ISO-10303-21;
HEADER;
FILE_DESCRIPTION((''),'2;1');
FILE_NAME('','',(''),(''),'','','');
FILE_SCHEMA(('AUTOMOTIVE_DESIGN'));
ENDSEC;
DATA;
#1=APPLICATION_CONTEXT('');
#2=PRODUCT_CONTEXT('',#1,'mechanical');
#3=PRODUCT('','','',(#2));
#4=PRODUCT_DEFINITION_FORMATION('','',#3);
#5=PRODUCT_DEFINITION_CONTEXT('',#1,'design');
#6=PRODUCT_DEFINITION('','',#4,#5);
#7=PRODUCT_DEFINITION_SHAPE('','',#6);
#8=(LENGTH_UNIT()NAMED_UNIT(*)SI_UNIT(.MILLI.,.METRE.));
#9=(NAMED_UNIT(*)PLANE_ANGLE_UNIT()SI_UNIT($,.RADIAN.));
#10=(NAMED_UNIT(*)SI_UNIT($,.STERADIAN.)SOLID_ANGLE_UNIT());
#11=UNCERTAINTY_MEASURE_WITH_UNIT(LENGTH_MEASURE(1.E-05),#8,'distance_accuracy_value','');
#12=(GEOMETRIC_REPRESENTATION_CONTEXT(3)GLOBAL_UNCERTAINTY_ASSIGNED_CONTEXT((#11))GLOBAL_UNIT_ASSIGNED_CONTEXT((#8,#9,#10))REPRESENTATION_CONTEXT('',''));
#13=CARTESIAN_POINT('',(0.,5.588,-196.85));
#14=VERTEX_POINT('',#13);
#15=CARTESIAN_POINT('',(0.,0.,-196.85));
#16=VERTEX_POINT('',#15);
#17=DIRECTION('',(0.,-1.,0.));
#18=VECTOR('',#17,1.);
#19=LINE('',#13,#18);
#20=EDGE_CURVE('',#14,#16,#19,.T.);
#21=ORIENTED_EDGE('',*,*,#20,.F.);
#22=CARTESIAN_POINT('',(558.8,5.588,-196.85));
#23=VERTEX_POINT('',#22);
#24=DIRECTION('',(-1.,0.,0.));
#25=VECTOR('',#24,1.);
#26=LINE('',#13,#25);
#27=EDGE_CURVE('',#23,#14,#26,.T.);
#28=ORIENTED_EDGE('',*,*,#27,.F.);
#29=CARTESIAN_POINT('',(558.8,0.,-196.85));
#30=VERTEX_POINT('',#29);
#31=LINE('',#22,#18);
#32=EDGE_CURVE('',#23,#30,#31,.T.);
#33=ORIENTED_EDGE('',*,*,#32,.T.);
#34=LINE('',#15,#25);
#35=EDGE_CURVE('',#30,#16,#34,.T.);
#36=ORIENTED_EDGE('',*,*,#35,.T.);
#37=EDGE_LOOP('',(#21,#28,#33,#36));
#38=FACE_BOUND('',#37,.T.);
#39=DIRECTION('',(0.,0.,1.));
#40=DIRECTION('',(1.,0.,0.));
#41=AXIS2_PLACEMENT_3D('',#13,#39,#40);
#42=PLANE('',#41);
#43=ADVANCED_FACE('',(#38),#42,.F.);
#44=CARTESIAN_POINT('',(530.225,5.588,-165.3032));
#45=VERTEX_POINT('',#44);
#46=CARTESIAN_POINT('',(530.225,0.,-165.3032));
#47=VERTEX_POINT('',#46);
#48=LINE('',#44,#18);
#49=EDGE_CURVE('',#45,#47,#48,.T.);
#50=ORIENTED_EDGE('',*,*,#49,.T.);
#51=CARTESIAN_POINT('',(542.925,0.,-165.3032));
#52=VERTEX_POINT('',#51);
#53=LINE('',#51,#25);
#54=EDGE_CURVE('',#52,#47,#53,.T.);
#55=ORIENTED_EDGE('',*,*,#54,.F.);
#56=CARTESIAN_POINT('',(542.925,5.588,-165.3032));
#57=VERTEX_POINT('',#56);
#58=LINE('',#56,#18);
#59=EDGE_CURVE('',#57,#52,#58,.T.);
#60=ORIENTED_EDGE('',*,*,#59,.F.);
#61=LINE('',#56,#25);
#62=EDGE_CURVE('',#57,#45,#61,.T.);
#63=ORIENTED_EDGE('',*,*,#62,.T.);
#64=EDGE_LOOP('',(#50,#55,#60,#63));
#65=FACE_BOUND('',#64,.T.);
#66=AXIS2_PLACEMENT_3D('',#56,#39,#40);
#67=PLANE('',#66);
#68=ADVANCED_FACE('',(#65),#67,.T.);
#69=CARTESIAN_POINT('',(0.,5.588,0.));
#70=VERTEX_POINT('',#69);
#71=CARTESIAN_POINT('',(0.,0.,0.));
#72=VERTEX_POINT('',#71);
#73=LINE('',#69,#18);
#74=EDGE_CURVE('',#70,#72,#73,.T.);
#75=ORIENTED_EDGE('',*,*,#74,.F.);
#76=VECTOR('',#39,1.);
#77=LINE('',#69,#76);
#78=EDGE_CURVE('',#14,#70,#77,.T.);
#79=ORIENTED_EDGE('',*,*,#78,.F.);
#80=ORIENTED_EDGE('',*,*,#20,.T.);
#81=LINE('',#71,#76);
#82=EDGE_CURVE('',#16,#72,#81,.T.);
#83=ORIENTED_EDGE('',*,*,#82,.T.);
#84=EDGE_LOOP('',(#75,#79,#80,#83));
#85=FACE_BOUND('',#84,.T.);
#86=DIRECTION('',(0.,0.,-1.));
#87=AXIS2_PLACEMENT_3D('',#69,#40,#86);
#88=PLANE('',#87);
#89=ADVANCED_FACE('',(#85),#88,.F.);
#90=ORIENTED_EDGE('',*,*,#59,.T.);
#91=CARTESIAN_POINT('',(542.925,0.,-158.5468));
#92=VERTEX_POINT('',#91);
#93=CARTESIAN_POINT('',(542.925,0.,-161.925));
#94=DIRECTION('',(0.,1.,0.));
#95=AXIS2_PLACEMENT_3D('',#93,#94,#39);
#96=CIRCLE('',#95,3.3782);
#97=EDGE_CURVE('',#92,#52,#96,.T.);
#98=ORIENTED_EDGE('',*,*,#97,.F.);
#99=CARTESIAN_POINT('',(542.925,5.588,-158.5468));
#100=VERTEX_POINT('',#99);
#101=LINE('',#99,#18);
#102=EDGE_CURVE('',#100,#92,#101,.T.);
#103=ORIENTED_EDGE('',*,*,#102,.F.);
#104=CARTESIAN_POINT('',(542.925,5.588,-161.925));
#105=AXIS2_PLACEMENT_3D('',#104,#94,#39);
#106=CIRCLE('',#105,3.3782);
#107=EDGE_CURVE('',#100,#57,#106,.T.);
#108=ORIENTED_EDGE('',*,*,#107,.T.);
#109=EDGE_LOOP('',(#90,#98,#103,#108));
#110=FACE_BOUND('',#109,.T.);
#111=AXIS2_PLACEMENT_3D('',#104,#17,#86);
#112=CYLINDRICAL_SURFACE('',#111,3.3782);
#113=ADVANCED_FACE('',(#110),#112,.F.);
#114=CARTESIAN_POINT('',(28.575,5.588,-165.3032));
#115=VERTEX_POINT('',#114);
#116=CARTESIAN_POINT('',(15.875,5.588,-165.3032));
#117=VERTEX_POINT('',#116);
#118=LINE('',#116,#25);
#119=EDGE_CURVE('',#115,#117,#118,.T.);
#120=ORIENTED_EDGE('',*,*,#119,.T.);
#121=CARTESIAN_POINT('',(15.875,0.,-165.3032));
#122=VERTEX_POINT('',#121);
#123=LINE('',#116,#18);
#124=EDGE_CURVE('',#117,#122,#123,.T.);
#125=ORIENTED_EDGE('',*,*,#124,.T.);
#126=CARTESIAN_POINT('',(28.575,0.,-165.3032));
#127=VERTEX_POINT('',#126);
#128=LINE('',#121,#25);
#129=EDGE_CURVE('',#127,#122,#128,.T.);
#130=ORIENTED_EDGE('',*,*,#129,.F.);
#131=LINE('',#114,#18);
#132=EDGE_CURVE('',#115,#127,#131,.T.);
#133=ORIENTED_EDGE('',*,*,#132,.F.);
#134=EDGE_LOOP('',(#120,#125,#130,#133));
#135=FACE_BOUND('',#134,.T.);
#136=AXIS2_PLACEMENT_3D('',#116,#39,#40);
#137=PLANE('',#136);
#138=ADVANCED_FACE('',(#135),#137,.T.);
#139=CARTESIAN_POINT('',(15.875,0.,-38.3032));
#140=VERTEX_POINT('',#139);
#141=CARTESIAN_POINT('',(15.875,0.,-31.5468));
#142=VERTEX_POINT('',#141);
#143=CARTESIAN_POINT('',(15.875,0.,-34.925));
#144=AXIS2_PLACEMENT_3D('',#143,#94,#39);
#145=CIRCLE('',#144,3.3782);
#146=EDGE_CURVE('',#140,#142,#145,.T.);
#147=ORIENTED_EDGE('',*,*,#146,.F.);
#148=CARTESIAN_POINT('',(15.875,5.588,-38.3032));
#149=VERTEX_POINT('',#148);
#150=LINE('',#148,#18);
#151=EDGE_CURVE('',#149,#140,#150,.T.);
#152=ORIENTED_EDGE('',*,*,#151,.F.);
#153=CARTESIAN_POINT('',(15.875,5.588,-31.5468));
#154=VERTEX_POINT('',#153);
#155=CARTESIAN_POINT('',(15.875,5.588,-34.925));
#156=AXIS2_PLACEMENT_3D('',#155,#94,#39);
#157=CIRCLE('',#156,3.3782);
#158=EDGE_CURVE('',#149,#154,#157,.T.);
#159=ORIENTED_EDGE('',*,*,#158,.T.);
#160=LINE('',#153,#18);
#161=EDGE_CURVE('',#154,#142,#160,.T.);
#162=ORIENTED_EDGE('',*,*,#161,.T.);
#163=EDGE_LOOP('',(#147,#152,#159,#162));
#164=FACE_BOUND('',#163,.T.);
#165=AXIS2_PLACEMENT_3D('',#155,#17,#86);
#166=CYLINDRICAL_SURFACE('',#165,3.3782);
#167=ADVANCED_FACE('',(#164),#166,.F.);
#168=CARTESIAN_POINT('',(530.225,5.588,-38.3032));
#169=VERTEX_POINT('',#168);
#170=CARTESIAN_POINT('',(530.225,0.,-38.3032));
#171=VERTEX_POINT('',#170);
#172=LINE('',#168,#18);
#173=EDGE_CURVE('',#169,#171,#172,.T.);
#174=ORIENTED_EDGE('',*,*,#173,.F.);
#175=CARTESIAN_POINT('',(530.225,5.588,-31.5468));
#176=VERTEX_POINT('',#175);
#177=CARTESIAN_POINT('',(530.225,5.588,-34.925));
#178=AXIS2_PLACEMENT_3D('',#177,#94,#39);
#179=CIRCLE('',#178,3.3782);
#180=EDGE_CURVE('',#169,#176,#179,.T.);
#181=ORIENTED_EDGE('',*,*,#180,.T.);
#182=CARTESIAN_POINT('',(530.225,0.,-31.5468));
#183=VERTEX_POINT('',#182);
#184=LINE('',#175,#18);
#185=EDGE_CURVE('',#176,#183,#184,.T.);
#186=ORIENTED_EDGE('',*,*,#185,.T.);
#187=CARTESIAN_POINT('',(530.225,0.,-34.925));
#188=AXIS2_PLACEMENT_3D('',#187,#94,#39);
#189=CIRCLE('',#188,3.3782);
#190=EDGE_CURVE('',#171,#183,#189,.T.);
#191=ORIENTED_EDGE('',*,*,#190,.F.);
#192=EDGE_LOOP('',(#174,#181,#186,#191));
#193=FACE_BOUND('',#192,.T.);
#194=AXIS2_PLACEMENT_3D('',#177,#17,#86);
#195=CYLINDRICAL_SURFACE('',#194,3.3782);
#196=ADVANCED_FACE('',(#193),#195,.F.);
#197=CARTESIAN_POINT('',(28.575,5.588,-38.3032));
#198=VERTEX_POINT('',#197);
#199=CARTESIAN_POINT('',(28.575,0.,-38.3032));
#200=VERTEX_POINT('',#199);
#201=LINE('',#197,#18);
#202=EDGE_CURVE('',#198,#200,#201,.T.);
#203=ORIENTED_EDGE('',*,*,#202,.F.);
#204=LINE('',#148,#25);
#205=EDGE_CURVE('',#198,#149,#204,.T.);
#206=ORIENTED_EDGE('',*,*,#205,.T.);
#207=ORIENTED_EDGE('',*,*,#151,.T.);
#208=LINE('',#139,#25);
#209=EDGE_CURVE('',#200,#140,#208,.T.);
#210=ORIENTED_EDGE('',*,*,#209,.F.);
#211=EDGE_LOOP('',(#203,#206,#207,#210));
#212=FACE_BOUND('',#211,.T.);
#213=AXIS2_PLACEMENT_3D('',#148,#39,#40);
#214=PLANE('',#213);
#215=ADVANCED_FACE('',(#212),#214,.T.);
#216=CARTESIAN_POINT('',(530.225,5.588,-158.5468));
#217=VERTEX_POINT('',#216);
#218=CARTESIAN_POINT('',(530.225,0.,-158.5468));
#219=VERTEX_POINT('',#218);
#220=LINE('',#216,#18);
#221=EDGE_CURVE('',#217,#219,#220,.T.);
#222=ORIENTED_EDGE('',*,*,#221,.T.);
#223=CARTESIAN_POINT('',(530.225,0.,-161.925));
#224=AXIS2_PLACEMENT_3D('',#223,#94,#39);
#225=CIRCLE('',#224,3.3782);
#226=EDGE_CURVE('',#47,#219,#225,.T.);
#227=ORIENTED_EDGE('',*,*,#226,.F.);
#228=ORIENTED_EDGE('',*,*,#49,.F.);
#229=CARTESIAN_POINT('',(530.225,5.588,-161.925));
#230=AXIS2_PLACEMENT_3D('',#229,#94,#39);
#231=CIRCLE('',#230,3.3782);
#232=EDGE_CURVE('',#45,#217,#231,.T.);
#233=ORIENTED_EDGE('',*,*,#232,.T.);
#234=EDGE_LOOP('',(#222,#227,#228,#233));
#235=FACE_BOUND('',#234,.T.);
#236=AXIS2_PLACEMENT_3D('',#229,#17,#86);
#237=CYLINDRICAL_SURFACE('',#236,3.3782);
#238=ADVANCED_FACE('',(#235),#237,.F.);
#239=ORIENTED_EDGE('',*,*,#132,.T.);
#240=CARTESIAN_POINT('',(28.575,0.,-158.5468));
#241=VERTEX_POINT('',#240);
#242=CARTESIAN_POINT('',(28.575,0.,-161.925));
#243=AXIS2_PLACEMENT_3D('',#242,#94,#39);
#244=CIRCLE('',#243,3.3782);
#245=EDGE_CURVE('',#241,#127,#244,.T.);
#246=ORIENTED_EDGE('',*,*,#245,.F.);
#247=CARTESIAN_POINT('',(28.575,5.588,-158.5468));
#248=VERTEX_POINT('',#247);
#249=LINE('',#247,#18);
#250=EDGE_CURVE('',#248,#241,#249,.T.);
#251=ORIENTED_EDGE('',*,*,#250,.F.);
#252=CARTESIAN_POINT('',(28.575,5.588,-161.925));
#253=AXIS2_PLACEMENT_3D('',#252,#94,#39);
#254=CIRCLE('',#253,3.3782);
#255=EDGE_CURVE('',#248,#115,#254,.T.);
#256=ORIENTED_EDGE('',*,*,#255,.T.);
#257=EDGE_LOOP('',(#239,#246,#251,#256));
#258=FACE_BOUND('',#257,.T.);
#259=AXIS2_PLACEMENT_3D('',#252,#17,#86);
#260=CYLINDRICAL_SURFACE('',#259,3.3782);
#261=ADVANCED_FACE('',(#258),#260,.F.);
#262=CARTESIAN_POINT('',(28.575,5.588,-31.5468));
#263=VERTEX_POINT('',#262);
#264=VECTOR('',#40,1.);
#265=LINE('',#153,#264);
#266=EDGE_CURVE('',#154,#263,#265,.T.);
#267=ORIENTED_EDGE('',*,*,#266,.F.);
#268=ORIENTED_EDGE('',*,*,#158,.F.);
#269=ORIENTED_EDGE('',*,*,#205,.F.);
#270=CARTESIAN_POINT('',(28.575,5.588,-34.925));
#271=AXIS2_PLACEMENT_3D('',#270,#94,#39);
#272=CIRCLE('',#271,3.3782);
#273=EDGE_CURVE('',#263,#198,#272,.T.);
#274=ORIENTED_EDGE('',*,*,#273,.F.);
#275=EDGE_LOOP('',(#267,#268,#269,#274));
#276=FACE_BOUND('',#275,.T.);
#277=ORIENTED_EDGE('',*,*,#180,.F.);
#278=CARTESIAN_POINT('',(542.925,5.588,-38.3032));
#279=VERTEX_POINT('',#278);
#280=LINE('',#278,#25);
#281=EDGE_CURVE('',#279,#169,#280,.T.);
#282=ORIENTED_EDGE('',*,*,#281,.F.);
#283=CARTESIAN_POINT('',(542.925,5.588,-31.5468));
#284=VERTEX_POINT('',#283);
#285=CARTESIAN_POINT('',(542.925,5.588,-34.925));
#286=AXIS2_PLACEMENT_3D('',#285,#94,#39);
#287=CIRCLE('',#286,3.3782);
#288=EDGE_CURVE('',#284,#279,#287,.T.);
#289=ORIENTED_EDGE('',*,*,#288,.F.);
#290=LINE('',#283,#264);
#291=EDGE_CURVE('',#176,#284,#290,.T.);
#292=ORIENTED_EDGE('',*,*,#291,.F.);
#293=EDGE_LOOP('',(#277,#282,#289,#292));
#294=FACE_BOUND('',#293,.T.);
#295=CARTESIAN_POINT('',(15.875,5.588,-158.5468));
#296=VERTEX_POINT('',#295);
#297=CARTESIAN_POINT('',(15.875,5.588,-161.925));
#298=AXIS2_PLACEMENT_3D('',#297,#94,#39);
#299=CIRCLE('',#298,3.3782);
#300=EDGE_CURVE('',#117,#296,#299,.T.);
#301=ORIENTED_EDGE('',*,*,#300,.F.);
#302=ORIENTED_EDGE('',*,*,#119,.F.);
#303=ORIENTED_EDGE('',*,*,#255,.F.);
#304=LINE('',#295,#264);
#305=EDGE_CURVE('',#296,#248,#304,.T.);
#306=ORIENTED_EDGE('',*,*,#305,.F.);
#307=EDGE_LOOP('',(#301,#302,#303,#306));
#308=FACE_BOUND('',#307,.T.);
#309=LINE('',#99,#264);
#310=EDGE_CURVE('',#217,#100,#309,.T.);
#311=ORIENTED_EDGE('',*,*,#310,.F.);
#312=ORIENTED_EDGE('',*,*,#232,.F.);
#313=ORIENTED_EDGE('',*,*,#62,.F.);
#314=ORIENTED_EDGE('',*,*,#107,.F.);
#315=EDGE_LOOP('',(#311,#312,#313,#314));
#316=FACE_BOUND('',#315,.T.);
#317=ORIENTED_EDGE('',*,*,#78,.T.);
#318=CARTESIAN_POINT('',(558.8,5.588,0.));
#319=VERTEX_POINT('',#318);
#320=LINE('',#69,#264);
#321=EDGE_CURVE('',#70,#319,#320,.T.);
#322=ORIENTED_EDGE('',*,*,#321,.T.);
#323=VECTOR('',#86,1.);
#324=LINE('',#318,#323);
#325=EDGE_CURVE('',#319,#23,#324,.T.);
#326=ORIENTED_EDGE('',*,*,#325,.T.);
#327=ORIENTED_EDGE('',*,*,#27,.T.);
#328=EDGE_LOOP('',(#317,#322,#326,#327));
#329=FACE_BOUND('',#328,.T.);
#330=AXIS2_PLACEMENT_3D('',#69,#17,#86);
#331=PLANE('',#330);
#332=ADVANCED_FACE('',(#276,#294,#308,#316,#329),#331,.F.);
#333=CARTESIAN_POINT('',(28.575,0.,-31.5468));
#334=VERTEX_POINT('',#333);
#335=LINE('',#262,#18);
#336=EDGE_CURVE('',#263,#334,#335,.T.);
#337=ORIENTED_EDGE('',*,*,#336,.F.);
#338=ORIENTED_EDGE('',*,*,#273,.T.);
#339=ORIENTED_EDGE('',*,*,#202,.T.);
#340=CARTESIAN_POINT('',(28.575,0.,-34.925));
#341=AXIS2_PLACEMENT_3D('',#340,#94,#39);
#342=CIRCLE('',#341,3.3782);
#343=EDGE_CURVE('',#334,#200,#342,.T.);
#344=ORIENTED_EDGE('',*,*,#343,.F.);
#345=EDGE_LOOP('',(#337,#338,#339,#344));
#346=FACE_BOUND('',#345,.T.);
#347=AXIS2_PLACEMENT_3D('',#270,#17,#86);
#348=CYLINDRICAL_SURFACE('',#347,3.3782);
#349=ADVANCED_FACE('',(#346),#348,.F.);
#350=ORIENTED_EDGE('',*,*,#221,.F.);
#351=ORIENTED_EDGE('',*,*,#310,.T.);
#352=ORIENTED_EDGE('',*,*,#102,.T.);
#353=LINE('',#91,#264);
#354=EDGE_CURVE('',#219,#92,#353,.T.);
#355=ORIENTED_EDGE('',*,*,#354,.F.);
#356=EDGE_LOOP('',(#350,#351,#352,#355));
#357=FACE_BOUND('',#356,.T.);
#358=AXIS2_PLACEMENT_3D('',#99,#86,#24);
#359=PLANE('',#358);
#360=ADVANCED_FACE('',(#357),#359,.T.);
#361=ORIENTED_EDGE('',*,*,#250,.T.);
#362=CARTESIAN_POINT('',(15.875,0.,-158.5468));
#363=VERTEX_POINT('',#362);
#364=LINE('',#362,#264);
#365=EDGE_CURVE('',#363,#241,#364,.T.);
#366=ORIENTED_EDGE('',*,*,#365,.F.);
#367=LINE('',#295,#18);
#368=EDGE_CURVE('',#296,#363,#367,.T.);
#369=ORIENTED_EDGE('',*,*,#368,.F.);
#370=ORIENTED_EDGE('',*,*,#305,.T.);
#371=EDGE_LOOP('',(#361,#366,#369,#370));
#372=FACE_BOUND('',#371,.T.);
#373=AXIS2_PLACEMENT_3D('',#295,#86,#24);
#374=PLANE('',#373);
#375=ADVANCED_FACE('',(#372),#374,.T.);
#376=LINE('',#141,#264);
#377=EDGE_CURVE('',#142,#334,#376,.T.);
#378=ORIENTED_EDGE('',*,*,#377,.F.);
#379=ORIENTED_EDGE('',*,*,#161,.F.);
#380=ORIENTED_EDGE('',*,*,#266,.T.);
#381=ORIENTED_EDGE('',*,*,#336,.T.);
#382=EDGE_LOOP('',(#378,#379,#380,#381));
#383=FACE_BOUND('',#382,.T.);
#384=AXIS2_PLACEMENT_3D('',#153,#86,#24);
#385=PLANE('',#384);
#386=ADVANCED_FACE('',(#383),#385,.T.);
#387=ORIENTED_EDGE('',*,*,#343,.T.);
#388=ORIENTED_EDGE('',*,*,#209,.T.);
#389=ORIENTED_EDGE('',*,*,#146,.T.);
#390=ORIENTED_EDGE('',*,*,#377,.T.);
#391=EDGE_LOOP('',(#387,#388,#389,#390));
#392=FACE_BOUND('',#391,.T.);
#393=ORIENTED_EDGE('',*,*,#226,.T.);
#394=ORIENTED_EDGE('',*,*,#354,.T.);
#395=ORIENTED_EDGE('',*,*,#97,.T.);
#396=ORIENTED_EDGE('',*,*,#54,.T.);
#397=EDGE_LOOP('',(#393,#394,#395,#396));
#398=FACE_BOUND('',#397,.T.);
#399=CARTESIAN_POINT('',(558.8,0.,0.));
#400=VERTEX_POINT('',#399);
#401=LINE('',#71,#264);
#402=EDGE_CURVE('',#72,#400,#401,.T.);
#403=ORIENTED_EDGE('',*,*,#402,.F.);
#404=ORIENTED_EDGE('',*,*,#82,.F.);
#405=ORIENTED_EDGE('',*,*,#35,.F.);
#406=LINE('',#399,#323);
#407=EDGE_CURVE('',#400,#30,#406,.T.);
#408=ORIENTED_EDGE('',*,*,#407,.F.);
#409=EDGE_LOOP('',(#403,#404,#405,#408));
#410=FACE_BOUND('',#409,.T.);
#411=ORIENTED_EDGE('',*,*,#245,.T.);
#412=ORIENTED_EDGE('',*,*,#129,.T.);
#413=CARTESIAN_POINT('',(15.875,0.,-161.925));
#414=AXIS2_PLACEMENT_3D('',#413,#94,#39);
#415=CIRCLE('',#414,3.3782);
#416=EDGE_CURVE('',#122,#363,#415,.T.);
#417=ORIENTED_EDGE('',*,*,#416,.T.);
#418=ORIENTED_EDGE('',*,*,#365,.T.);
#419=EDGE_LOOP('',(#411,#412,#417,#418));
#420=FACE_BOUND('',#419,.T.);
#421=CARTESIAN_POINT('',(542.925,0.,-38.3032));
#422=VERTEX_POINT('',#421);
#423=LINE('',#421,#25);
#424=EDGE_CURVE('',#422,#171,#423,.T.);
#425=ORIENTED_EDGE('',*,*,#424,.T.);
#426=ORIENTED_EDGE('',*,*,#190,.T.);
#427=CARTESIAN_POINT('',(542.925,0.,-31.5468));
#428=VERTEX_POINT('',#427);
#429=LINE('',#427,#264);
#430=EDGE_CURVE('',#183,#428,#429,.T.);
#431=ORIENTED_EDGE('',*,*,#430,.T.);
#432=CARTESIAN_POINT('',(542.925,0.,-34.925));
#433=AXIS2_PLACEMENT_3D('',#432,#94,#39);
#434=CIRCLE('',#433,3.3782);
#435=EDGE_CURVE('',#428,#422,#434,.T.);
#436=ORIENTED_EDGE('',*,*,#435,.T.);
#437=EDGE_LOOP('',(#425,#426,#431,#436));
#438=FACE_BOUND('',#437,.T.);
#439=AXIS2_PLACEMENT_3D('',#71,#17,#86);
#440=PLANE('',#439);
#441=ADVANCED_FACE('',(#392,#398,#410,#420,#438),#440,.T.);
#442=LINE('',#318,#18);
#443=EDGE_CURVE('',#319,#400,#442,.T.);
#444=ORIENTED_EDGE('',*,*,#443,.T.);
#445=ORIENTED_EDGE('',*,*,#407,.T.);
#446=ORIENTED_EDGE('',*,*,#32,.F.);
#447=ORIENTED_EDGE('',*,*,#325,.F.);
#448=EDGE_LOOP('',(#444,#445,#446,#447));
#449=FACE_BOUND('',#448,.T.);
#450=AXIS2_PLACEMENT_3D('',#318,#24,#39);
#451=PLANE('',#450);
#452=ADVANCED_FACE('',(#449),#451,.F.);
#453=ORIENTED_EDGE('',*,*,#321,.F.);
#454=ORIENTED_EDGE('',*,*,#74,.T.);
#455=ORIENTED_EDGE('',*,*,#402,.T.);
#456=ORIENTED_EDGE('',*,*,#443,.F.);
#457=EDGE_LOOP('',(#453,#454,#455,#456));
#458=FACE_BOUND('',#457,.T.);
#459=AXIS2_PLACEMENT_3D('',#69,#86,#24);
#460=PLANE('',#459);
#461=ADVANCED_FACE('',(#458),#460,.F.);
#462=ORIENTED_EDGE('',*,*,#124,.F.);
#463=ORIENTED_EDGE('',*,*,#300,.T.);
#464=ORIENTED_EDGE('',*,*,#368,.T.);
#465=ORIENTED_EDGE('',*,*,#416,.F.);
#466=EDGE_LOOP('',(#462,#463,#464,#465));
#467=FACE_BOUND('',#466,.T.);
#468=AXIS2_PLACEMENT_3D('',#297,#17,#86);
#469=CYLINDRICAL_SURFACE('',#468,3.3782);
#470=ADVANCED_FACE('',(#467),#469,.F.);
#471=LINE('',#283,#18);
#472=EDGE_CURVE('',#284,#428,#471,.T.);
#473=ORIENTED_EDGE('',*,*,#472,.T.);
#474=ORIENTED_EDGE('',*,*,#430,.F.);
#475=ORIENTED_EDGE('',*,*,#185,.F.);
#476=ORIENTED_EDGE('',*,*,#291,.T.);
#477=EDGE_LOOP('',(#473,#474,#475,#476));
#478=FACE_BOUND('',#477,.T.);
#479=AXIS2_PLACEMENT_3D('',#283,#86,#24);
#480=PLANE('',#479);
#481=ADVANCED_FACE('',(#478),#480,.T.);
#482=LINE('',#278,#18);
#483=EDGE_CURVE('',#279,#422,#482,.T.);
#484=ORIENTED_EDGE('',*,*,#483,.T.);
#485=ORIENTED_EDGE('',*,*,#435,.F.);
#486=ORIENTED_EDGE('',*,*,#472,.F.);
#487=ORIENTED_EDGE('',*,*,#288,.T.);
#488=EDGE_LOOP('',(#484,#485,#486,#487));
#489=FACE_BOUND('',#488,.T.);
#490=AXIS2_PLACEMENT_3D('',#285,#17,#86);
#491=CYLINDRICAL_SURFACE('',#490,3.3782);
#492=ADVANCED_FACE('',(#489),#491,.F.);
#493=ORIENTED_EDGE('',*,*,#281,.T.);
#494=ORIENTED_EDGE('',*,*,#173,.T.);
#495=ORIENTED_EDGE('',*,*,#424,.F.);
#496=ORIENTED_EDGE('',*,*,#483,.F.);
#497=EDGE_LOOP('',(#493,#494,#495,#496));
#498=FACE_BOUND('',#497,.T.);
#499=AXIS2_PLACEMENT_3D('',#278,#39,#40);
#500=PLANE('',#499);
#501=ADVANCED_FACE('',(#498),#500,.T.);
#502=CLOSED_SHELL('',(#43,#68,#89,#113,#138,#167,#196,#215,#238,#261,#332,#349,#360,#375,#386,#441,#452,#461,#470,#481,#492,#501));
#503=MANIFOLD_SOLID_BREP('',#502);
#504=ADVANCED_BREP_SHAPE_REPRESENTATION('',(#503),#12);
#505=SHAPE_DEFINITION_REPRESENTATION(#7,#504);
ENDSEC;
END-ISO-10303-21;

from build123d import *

# Parameters (mm, degrees)
SKETCH1_W           = 558.8
SKETCH1_H           = 196.85
BOSS_EXTRUDE1_DEPTH = 5.588


with BuildPart() as part:
    # Sketch1 → Boss-Extrude1 (new body)
    with BuildSketch(Plane(origin=(0, 0, 0), x_dir=(1, 0, 0), z_dir=(0, 1, 0))):
        with Locations((279.4, 98.425)):
            Rectangle(SKETCH1_W, SKETCH1_H)
        with BuildLine():
            Line((15.875, 38.3032), (28.575, 38.3032))
            ThreePointArc((28.575, 38.3032), (31.9532, 34.925), (28.575, 31.5468))
            Line((28.575, 31.5468), (15.875, 31.5468))
            ThreePointArc((15.875, 31.5468), (12.4968, 34.925), (15.875, 38.3032))
        make_face(mode=Mode.SUBTRACT)
        with BuildLine():
            Line((15.875, 165.3032), (28.575, 165.3032))
            ThreePointArc((28.575, 165.3032), (31.9532, 161.925), (28.575, 158.5468))
            Line((28.575, 158.5468), (15.875, 158.5468))
            ThreePointArc((15.875, 158.5468), (12.4968, 161.925), (15.875, 165.3032))
        make_face(mode=Mode.SUBTRACT)
        with BuildLine():
            Line((542.925, 158.5468), (530.225, 158.5468))
            ThreePointArc((530.225, 158.5468), (526.8468, 161.925), (530.225, 165.3032))
            Line((530.225, 165.3032), (542.925, 165.3032))
            ThreePointArc((542.925, 165.3032), (546.3032, 161.925), (542.925, 158.5468))
        make_face(mode=Mode.SUBTRACT)
        with BuildLine():
            Line((542.925, 31.5468), (530.225, 31.5468))
            ThreePointArc((530.225, 31.5468), (526.8468, 34.925), (530.225, 38.3032))
            Line((530.225, 38.3032), (542.925, 38.3032))
            ThreePointArc((542.925, 38.3032), (546.3032, 34.925), (542.925, 31.5468))
        make_face(mode=Mode.SUBTRACT)
    extrude(amount=BOSS_EXTRUDE1_DEPTH)


solid = part.part
